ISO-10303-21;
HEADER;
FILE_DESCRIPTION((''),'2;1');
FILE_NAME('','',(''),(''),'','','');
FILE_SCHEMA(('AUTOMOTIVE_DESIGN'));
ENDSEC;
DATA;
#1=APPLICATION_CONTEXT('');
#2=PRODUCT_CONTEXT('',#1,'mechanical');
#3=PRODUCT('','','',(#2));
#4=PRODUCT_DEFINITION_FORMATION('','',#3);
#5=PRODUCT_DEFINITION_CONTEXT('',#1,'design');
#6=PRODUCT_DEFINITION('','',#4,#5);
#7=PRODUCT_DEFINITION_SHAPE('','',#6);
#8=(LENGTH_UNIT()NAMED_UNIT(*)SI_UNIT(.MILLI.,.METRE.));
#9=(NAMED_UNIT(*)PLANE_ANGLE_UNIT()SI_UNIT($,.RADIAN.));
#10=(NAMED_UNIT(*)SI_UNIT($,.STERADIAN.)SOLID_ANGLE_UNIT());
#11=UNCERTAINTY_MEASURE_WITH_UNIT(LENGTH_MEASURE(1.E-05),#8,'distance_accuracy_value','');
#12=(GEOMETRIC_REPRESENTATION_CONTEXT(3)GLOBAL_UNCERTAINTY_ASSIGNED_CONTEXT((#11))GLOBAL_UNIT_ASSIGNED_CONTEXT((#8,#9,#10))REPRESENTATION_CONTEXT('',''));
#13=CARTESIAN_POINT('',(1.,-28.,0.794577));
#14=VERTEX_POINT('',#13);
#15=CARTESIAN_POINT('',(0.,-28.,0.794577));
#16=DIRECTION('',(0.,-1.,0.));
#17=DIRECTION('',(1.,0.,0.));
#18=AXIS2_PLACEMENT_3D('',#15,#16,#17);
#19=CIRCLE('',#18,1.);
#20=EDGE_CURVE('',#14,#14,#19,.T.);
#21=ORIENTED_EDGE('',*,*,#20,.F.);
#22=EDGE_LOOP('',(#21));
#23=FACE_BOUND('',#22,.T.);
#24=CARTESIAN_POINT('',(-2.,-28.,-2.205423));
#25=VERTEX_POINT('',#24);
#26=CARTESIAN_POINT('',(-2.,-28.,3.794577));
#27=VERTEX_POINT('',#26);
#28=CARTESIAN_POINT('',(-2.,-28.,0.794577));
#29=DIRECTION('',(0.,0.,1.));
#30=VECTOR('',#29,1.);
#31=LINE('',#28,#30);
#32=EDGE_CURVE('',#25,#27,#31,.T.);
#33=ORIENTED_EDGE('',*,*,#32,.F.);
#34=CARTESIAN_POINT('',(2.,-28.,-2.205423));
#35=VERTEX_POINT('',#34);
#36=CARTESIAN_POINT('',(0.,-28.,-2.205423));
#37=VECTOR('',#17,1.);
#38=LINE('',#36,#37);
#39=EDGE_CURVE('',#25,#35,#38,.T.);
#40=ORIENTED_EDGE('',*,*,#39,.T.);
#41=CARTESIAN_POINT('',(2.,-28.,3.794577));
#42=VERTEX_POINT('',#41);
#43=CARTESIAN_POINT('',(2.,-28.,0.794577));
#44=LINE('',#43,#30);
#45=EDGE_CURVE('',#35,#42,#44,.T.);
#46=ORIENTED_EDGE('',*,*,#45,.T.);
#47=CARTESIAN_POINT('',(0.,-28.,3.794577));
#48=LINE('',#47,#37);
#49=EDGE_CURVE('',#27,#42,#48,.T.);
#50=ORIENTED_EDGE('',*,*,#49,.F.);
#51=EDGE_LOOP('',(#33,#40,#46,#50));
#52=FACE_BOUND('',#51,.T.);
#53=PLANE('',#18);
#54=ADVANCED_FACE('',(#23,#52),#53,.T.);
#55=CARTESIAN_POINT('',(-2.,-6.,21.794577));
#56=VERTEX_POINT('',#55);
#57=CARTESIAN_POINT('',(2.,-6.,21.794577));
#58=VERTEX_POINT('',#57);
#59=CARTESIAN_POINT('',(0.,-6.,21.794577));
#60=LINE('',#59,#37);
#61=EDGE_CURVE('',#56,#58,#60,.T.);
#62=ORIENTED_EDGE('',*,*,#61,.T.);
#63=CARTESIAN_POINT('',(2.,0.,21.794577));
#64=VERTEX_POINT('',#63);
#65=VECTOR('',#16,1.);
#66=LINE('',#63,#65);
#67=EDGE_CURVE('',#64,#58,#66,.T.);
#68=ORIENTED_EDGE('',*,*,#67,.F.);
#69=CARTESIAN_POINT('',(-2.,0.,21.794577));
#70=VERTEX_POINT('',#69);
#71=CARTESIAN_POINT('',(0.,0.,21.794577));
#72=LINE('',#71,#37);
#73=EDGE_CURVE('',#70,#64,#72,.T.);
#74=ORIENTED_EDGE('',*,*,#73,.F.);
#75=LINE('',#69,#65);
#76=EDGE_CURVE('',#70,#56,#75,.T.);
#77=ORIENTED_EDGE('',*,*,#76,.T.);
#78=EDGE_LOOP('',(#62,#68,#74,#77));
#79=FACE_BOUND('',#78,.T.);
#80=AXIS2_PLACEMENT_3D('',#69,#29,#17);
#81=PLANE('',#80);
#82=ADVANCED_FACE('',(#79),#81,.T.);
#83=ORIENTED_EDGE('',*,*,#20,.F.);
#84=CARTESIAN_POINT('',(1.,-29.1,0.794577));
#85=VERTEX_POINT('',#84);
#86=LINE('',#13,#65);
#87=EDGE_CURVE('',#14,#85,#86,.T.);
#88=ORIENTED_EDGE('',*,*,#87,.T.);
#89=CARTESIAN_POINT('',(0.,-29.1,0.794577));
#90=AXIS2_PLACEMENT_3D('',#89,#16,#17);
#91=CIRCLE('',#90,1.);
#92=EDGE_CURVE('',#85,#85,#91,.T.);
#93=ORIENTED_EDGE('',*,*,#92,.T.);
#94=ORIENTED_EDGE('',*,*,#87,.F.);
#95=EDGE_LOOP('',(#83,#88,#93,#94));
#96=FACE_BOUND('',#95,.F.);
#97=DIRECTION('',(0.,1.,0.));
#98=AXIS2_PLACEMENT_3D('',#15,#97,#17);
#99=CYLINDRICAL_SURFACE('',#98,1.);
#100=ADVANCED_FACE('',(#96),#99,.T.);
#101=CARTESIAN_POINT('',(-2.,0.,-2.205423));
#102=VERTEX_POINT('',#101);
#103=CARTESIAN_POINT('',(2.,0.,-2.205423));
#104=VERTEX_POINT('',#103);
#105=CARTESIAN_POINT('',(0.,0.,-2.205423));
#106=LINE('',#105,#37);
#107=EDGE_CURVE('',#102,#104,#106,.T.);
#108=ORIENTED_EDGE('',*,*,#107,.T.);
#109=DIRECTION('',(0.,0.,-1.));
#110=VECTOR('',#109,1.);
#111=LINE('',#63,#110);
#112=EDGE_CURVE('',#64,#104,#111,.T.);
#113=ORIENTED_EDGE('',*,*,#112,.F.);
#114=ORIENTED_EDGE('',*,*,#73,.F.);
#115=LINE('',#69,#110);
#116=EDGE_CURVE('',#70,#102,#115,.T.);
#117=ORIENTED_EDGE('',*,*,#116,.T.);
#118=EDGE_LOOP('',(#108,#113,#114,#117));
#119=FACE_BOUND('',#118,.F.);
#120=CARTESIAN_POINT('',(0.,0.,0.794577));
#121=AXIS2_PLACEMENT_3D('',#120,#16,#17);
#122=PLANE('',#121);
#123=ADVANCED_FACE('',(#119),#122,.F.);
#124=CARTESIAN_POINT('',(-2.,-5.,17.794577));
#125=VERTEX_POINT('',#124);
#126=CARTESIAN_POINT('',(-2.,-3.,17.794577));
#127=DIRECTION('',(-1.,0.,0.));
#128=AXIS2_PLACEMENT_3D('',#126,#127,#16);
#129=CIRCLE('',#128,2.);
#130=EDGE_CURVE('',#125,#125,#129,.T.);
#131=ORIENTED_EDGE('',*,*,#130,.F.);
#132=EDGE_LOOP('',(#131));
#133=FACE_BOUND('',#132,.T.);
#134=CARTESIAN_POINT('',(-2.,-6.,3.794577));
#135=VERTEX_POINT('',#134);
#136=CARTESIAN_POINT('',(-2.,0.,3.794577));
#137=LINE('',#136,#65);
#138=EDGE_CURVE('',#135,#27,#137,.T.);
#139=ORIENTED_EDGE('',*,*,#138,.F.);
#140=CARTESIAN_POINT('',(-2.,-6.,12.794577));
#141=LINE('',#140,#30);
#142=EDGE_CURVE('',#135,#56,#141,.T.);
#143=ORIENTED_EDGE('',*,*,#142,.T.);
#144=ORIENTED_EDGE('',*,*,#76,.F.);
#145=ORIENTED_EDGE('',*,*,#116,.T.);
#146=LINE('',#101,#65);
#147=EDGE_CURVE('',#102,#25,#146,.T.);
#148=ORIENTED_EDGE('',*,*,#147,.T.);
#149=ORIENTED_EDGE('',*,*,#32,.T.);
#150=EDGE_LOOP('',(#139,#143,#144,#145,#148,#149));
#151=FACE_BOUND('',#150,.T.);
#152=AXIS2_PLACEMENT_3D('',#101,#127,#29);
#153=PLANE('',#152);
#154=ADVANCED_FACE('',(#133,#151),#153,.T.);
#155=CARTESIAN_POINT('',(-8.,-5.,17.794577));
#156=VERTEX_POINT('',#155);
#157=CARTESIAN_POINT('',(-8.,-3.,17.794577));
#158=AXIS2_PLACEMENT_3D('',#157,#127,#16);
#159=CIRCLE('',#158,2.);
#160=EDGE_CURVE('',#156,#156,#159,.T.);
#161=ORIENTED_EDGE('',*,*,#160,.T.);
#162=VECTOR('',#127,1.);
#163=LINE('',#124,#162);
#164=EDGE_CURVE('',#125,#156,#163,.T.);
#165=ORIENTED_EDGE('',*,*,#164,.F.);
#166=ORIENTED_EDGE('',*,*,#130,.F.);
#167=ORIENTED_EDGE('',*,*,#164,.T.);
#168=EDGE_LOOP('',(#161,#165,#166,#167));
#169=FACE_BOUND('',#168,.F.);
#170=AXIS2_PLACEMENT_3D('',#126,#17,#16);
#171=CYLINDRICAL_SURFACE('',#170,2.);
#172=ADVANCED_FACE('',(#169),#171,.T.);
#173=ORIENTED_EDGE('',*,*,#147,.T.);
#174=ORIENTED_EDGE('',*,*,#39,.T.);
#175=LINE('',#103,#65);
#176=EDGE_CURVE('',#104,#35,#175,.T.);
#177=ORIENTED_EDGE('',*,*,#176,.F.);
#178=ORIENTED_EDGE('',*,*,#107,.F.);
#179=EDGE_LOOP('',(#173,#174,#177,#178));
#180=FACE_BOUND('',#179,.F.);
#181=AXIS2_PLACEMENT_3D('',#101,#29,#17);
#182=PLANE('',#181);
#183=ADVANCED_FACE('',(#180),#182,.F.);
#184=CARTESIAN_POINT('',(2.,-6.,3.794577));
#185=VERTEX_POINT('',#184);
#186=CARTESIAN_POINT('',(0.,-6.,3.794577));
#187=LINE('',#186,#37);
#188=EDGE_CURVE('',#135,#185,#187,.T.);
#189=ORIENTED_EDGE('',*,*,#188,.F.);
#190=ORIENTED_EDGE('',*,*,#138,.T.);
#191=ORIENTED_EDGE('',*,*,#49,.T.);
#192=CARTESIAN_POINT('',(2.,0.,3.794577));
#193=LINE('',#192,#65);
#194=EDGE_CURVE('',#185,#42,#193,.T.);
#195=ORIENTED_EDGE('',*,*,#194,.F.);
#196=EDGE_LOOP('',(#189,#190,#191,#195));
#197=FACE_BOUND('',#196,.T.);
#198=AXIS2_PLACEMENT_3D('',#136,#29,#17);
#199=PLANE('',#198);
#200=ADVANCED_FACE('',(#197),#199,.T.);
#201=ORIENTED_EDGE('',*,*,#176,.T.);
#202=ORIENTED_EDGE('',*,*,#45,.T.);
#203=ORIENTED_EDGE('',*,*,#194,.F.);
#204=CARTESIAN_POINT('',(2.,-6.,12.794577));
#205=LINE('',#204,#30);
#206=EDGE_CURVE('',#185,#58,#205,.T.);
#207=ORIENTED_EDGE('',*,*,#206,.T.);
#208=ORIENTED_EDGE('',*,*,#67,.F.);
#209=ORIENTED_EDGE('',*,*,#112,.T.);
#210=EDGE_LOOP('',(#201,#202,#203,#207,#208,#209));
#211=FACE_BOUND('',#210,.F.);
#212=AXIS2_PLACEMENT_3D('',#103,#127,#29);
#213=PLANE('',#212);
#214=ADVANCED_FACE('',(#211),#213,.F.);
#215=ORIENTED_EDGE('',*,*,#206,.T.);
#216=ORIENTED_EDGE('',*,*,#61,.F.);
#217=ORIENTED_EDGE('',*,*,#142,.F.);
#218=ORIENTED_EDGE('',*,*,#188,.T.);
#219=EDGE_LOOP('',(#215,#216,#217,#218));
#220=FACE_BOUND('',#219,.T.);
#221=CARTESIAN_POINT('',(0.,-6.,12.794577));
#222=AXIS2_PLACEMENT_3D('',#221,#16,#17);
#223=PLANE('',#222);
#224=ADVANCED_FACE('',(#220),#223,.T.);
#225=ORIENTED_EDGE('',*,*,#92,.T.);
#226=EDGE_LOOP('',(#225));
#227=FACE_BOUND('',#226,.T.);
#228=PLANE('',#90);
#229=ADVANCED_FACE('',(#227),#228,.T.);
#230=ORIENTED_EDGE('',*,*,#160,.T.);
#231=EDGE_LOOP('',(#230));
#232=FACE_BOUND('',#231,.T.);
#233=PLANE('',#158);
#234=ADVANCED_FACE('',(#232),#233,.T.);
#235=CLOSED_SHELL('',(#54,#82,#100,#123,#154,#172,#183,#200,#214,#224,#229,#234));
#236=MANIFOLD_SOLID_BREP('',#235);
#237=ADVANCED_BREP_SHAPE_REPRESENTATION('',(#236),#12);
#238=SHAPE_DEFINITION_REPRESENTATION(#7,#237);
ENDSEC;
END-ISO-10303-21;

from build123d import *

# Parameters (mm, degrees)
F0_W     = 4
F0_H     = 18
F1_DEPTH = 6
F0_H_2   = 6
F2_DEPTH = 28
F3_R     = 1
F4_DEPTH = 1.1
F5_R     = 2
F6_DEPTH = 6


with BuildPart() as f1:
    # F0 (on Front) → F1 (new body)
    with BuildSketch(Plane.XZ):
        with Locations((0, 12.794577)):
            Rectangle(F0_W, F0_H)
    extrude(amount=F1_DEPTH)

    # F0 (on Front) → F2 (join)
    with BuildSketch(Plane.XZ):
        with Locations((0, 0.794577)):
            Rectangle(F0_W, F0_H_2)
    extrude(amount=F2_DEPTH)

    # F3 (on face) → F4 (join)
    with BuildSketch(Plane.XZ.offset(28)):
        with Locations((0, 0.794577)):
            Circle(F3_R)
    extrude(amount=F4_DEPTH)

    # F5 (on face) → F6 (join)
    with BuildSketch(Plane(origin=(-2, 0, 0), x_dir=(0, -1, 0), z_dir=(-1, 0, 0))):
        with Locations((3, 17.794577)):
            Circle(F5_R)
    extrude(amount=F6_DEPTH)


solid = f1.part
